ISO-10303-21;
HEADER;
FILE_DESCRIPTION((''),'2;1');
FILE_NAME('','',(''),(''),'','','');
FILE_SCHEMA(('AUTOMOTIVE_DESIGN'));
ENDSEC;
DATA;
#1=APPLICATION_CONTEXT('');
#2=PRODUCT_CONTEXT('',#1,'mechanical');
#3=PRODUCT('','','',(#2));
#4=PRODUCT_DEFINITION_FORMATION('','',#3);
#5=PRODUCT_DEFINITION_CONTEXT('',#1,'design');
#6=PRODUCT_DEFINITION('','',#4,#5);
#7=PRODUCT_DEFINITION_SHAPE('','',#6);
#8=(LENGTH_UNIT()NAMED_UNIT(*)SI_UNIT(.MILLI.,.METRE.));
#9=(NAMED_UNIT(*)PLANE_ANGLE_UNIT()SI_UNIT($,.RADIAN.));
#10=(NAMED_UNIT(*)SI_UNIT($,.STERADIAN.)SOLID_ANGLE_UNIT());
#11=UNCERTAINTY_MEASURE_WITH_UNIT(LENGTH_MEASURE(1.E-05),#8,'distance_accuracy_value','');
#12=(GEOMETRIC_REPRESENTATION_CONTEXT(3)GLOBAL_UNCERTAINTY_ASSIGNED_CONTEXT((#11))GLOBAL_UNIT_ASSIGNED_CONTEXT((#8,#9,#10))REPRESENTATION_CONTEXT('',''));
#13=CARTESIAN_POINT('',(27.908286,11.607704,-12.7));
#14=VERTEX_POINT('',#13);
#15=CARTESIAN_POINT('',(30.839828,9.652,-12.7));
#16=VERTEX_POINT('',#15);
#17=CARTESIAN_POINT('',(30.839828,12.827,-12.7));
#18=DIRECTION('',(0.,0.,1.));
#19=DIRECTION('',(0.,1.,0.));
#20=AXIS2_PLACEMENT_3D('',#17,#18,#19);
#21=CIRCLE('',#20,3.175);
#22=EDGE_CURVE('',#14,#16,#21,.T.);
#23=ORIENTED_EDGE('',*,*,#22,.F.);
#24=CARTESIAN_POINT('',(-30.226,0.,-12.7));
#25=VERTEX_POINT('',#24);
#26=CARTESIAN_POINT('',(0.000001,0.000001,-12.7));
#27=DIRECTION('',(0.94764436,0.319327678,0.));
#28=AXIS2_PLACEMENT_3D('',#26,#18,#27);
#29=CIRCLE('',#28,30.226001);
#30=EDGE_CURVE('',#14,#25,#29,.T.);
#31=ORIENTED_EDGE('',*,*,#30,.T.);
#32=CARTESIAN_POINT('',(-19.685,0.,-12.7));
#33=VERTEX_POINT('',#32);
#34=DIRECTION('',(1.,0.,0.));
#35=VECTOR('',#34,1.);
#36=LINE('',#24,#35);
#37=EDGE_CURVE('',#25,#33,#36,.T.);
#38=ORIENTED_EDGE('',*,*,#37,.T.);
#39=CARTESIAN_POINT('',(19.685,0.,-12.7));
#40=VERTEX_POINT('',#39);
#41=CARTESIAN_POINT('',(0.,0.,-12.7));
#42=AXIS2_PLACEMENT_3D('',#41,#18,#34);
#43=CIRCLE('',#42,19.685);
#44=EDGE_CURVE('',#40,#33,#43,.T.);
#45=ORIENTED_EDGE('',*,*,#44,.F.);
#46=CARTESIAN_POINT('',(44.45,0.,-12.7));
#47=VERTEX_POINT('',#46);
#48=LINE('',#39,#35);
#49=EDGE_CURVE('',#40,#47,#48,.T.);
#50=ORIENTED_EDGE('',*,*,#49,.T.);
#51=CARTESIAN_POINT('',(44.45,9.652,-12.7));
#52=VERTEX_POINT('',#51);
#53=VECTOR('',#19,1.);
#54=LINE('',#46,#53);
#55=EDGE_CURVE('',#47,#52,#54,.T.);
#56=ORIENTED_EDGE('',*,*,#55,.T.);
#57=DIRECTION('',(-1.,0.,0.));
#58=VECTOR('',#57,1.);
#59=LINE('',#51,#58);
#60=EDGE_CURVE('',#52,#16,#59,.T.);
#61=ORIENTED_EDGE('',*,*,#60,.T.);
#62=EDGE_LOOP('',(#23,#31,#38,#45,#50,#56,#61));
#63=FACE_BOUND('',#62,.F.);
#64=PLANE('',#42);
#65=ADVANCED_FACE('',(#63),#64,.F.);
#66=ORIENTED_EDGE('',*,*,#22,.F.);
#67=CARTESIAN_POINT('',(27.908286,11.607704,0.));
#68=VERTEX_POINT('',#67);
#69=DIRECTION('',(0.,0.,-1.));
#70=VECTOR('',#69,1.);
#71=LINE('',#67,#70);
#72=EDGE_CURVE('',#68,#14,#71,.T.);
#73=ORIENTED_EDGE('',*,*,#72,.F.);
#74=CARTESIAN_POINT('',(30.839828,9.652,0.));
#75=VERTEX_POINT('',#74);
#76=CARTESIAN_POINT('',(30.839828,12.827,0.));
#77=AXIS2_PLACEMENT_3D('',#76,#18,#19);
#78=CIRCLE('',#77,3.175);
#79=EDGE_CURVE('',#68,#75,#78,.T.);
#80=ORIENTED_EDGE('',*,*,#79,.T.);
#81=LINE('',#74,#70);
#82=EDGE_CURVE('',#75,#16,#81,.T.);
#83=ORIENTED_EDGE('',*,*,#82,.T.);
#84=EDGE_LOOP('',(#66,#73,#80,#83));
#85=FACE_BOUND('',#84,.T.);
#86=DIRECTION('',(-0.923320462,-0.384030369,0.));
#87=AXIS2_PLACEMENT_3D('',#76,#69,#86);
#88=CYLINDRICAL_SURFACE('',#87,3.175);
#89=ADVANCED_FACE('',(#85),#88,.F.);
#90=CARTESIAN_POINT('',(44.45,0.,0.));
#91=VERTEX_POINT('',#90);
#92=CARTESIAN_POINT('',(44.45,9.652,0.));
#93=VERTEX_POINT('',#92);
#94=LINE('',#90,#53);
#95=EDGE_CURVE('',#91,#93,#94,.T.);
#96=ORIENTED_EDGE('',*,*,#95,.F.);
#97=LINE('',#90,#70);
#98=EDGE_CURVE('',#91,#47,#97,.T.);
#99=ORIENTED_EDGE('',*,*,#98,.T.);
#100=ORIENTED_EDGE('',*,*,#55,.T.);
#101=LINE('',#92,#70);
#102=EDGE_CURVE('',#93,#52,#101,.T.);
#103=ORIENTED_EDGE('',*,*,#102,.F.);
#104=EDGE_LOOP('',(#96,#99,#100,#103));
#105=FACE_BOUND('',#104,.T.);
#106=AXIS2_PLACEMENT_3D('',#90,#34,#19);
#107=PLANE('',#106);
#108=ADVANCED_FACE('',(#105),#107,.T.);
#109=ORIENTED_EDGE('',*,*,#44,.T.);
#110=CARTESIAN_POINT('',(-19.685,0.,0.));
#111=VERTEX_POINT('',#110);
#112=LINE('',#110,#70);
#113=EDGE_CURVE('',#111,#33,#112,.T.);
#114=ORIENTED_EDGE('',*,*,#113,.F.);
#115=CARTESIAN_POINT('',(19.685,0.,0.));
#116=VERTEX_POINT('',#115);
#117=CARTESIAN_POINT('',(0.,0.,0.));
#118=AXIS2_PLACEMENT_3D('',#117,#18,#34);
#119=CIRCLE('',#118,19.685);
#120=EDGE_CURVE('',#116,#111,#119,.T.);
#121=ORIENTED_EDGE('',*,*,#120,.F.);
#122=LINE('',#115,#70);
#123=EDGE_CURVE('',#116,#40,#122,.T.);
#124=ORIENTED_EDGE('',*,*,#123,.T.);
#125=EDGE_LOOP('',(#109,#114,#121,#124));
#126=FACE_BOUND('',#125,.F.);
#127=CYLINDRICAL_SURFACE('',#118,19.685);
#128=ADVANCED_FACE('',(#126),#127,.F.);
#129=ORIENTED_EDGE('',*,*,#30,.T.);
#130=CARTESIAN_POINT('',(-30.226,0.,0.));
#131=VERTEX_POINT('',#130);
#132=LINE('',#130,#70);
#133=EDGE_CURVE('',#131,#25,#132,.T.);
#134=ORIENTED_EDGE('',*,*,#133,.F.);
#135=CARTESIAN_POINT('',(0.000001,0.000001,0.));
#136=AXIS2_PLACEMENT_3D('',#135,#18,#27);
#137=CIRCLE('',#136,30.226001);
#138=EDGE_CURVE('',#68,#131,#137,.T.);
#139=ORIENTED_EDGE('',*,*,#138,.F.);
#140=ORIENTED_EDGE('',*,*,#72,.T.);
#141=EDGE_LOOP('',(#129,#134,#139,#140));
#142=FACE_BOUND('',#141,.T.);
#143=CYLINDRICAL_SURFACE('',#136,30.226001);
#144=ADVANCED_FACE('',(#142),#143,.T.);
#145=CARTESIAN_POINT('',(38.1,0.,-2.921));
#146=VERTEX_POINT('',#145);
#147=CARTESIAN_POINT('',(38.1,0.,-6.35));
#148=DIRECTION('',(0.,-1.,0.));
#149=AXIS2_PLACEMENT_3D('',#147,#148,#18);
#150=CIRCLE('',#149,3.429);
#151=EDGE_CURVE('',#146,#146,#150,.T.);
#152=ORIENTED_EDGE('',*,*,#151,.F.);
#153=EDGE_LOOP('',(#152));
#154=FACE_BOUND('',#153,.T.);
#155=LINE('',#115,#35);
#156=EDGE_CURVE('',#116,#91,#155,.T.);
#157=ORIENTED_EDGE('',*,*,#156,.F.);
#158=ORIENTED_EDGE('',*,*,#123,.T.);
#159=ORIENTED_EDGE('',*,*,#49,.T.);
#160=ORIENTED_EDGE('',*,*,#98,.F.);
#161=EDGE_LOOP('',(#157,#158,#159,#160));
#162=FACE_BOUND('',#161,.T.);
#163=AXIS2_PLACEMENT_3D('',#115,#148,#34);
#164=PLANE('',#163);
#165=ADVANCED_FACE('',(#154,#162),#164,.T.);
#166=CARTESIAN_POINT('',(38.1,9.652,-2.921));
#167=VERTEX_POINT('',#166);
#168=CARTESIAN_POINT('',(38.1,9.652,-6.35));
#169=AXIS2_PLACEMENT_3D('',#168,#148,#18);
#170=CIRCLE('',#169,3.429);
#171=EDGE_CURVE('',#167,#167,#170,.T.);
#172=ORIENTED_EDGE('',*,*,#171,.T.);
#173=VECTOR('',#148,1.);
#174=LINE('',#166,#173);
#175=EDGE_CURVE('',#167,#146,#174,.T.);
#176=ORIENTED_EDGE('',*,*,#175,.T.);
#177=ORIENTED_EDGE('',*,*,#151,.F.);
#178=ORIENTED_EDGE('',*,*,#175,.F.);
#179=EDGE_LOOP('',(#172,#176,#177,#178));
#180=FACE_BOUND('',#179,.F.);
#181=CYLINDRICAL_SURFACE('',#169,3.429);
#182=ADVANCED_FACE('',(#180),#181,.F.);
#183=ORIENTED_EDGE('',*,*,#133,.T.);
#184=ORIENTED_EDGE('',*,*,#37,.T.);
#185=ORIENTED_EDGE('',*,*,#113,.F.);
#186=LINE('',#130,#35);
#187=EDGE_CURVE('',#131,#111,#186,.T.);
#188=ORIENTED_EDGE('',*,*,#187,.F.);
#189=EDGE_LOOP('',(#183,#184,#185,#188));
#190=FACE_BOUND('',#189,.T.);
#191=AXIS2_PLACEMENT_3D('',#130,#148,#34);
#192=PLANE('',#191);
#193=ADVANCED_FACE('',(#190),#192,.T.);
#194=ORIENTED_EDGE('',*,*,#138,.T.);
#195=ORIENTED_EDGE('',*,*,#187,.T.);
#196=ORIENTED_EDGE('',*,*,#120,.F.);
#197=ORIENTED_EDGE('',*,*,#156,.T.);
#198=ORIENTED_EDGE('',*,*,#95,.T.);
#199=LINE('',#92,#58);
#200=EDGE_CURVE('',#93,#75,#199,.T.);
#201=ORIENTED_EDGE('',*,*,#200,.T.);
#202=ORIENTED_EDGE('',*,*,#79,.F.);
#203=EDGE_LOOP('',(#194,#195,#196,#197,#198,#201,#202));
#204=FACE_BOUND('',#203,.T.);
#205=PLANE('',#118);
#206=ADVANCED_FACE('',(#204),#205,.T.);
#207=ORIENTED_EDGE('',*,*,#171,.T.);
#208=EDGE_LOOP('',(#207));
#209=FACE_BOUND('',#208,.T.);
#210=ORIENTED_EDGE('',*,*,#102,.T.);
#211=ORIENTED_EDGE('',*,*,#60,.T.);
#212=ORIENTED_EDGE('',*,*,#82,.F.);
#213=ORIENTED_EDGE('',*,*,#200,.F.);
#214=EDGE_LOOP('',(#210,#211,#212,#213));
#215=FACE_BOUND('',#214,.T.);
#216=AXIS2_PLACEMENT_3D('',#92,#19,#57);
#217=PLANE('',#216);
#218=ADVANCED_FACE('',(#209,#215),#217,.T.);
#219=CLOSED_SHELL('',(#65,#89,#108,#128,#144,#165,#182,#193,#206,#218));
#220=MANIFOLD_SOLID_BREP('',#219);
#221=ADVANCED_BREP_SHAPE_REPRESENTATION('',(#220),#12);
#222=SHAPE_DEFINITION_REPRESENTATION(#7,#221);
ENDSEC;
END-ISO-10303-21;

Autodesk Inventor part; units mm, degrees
ref_plane "YZ Plane" through (0, 0, 0) normal (1, 0, 0) x (0, 1, 0)
ref_plane "XZ Plane" through (0, 0, 0) normal (0, 1, 0) x (-1, 0, 0)
ref_plane "XY Plane" through (0, 0, 0) normal (0, 0, 1) x (1, 0, 0)
sketch "Sketch1" plane through (0, 0, 0) normal (0, 0, 1) x (1, 0, 0)
  arc A0 (19.685, 0) -> (-19.685, 0) centre (0, 0) ccw
  arc A1 (28.6435, 9.652) -> (-30.226, 0) centre (0, 0) ccw
  line L0 (44.45, 0) -> (44.45, 9.652)
  line L1 (44.45, 9.652) -> (28.6435, 9.652)
  line L2 (-30.226, 0) -> (-19.685, 0)
  line L3 (19.685, 0) -> (44.45, 0)
  dimension "d0" = 39.37
  dimension "d1" = 60.452
  dimension "d2" = 44.45
  dimension "d15" = 9.652
extrude "Extrusion1" add sketch "Sketch1" against normal blind 12.7
fillet "Fillet1" radius 3.175 1 edges at (28.6435, 9.652, -6.35)
sketch "Sketch2" plane through (44.45, 9.652, 0) normal (0, 1, 0) x (1, 0, 0)
  line L0 (0, 0) -> (0, 12.7) projected
  line L1 (-13.6102, 12.7) -> (0, 12.7) projected
  point P0 (-44.45, 0)
  point P1 (-6.35, 6.35)
  dimension "d6" = 6.35
  dimension "d7" = 6.35
hole "Hole1" at (38.1, 9.652, -6.35) direction (0, -1, 0) diameter 6.858 end through all
equation "\"d7\" = d6"
properties part number "GE-13039" material "Polycarbonate, Clear"
